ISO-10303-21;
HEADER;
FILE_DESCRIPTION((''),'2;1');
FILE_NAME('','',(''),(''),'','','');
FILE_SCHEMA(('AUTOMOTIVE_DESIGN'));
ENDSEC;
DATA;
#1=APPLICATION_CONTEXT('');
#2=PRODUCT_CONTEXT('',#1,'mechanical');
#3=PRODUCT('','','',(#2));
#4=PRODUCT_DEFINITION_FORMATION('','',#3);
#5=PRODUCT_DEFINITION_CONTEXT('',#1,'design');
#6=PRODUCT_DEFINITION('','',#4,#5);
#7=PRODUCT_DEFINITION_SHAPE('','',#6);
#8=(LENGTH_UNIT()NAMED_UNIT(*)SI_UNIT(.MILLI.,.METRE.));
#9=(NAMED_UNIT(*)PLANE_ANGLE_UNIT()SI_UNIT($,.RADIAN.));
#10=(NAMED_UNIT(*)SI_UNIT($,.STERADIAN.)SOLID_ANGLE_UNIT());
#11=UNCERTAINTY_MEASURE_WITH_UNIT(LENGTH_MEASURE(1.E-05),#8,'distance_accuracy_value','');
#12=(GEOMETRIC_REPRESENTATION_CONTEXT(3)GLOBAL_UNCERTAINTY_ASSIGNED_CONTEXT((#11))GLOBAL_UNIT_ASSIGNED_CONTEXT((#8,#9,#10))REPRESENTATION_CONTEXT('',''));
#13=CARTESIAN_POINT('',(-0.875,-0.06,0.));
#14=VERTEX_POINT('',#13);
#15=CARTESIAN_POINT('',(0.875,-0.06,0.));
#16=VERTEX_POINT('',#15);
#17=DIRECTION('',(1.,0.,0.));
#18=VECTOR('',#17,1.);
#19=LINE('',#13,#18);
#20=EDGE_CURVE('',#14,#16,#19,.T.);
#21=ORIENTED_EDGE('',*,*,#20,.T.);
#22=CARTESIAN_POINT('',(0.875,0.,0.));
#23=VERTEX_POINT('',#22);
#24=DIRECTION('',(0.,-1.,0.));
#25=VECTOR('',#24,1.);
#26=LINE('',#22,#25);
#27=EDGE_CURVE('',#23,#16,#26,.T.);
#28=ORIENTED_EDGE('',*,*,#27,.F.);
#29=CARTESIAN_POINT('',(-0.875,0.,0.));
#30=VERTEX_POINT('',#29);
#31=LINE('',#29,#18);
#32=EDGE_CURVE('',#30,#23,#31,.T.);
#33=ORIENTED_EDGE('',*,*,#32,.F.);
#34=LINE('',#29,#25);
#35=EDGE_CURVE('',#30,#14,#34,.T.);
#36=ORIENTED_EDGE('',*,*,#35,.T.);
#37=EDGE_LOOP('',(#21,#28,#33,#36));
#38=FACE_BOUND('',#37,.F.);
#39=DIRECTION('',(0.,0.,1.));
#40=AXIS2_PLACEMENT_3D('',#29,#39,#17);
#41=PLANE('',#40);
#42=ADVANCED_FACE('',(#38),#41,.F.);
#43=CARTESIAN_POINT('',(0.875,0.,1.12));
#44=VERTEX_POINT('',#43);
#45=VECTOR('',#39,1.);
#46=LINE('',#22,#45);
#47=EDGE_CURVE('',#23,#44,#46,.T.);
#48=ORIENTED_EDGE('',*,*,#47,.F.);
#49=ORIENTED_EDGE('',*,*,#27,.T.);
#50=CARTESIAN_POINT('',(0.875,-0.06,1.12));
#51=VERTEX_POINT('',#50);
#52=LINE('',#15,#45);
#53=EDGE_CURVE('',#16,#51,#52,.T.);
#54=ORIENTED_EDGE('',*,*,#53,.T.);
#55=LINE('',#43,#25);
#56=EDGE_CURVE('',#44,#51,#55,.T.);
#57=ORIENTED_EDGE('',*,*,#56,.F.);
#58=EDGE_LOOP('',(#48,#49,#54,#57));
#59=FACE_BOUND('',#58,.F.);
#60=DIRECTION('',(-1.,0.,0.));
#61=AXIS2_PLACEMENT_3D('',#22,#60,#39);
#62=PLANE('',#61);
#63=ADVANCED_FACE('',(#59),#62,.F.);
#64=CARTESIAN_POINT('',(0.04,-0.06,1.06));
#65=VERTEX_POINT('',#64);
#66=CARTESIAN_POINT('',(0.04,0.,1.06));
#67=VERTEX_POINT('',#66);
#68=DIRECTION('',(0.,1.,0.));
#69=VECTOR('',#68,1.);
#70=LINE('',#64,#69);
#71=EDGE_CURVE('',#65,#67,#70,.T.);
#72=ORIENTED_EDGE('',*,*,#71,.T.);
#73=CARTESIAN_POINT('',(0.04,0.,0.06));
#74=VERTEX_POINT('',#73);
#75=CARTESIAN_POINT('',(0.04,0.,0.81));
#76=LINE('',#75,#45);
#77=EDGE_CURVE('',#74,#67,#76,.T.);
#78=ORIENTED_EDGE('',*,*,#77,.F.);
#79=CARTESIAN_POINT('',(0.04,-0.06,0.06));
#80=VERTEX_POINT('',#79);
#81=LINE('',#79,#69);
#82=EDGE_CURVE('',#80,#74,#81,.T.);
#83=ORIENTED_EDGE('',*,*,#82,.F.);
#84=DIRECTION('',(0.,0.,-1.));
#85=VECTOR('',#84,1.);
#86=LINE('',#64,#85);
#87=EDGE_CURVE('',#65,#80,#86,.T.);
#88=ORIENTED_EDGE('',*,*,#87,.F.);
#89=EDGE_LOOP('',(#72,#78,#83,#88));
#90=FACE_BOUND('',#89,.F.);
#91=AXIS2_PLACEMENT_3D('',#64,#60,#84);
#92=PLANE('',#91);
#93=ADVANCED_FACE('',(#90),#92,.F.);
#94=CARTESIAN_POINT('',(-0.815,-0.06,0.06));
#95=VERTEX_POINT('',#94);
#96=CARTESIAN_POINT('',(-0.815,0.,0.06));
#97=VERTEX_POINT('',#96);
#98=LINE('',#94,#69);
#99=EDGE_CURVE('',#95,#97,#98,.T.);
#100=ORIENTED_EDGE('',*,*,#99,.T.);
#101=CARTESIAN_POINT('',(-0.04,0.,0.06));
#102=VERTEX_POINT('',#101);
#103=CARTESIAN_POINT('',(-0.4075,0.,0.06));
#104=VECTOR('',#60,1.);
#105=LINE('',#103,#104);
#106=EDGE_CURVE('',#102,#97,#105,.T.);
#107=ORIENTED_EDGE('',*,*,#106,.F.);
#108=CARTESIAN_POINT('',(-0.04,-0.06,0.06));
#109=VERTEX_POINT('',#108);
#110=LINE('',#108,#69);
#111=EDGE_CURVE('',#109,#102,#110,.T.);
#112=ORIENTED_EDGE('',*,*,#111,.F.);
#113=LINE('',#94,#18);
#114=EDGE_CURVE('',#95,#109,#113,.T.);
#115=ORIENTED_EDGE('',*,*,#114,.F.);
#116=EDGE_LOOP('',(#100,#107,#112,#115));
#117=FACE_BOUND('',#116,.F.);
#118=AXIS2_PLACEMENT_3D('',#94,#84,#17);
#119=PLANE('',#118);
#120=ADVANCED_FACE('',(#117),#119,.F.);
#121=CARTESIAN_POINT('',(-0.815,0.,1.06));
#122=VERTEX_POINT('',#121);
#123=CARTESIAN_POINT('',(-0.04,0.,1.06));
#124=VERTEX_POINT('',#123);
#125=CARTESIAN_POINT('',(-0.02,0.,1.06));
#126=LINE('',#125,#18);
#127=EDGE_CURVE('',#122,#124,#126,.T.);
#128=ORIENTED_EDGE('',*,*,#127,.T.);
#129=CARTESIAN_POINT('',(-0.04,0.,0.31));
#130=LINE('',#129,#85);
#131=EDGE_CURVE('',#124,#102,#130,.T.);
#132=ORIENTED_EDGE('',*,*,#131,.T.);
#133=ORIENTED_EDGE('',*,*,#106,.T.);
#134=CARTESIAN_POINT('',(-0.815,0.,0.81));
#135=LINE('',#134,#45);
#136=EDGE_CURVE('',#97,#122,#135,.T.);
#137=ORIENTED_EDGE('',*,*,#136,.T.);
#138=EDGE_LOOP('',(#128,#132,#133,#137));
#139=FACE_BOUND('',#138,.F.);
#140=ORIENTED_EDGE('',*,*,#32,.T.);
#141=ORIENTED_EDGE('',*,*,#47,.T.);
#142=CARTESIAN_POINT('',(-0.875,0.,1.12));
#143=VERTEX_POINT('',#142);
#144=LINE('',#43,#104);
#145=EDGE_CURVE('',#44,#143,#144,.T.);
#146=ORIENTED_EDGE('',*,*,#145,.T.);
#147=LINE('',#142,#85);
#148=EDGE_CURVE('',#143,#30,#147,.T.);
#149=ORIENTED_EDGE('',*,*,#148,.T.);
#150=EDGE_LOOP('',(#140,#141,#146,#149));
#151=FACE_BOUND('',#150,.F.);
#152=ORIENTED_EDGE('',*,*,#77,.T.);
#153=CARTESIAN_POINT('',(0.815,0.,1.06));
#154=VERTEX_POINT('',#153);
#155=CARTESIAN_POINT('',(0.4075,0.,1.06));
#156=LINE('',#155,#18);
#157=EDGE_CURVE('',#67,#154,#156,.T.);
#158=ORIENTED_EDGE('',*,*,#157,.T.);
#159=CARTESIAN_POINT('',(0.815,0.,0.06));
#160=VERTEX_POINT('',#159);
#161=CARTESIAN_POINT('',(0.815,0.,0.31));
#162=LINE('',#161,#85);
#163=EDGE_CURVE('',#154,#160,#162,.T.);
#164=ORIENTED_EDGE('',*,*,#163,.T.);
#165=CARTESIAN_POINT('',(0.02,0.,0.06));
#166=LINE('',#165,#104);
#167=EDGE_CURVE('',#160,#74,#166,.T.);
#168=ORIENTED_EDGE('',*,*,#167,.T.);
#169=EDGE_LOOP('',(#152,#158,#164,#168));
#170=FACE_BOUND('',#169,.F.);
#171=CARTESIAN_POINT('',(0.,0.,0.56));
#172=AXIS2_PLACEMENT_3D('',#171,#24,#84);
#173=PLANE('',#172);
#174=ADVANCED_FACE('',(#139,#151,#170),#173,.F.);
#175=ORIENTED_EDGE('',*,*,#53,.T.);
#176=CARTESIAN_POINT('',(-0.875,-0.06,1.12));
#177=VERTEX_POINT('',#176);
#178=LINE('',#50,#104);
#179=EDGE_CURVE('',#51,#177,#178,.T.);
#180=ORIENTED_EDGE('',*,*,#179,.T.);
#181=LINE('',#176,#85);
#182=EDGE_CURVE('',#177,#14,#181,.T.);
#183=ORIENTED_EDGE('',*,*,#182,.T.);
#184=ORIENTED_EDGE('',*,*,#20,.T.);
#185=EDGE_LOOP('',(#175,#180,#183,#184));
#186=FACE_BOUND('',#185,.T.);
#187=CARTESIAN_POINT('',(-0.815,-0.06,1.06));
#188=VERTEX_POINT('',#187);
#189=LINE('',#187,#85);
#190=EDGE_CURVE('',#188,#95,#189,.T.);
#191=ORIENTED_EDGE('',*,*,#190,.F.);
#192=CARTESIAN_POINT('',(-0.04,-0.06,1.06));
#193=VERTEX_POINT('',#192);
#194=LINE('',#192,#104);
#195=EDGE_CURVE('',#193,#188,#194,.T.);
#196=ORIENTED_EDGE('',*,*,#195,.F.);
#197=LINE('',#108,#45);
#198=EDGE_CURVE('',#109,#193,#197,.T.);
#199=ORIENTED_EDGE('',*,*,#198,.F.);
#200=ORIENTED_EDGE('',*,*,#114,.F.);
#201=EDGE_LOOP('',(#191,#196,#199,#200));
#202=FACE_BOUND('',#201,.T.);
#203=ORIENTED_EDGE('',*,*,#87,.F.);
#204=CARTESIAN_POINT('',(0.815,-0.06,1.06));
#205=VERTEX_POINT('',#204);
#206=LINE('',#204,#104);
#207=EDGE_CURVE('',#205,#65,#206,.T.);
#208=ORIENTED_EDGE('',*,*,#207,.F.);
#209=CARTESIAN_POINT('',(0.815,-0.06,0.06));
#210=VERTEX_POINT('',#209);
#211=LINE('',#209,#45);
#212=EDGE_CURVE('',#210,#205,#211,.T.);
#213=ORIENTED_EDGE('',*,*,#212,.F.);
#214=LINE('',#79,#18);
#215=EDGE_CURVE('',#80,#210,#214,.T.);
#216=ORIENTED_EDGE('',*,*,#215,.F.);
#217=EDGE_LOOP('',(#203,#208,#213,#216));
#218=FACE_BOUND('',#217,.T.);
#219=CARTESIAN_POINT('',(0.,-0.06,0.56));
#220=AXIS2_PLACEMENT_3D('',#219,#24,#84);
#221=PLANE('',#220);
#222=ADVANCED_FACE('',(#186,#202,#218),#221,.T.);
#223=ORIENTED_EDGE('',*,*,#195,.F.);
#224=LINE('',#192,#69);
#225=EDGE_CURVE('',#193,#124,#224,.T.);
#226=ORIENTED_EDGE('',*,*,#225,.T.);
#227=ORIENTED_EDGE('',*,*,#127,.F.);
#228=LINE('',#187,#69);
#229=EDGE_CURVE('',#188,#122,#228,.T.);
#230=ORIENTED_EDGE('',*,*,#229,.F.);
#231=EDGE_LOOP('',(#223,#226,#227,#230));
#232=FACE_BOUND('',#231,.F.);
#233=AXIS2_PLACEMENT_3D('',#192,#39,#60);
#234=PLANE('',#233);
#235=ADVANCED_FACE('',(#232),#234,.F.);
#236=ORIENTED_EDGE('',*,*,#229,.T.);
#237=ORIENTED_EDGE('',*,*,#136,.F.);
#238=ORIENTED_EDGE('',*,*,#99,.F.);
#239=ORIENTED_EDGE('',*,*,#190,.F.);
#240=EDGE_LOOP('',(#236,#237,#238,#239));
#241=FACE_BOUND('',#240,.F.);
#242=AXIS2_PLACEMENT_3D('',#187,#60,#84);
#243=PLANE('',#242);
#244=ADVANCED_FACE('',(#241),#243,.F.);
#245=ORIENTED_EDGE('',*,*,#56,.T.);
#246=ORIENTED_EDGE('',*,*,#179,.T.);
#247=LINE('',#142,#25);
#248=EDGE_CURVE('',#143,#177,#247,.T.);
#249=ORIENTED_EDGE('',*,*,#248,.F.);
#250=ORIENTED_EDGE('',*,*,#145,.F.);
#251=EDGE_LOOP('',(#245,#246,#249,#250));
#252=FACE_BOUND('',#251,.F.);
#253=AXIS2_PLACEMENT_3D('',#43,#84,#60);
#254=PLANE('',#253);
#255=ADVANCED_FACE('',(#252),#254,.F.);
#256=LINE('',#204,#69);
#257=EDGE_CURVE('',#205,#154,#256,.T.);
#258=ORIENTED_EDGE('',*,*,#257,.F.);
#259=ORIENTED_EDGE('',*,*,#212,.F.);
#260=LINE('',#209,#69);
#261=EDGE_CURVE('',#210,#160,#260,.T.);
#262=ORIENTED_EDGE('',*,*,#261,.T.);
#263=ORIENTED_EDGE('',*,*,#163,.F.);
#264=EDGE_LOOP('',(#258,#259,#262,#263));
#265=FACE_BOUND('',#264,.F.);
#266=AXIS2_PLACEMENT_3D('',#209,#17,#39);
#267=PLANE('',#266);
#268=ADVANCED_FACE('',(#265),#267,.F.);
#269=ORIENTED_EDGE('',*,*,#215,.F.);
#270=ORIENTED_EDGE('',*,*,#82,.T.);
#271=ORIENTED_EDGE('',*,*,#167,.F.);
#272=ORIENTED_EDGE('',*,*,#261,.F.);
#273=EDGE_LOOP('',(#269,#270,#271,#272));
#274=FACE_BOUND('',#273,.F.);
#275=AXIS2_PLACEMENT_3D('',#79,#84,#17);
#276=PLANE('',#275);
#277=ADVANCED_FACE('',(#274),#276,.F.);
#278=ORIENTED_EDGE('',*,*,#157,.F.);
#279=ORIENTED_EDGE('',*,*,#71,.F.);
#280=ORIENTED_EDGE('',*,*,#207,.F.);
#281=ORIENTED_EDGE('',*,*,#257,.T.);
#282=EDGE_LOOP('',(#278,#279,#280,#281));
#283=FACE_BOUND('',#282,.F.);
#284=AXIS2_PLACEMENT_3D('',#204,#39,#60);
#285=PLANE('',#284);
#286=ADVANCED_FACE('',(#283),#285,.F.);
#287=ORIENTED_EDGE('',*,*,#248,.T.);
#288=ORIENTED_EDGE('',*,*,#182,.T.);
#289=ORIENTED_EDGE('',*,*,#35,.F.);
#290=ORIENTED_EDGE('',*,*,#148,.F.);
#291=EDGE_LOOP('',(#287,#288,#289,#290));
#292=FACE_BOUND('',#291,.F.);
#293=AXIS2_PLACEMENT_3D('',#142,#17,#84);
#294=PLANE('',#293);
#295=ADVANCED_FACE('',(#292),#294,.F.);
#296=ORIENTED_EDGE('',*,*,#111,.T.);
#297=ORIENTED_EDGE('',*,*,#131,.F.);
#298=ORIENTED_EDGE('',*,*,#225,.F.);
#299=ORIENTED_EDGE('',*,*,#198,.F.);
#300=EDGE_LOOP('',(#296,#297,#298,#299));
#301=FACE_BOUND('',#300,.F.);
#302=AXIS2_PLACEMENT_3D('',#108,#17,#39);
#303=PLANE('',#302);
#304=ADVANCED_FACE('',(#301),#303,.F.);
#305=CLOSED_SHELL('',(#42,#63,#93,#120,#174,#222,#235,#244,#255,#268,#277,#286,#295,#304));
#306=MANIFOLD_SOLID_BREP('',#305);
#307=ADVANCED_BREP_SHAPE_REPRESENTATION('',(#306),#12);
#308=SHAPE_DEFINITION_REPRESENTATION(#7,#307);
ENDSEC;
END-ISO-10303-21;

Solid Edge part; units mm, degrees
sketch "Sketch1" plane through (0, 0, 0) normal (0, -1, 0) x (1, 0, 0)
  line L0 (-0.875, 0) -> (0.875, 0)
  line L1 (0.875, 0) -> (0.875, 1.12)
  line L2 (0.875, 1.12) -> (-0.875, 1.12)
  line L3 (-0.875, 1.12) -> (-0.875, 0)
  dimension "D1" = 1.12
  dimension "D2" = 1.75
extrude "Protrusion1" add sketch "Sketch1" along normal blind 0.06
sketch "Sketch2" plane through (0, -0.06, 0.75) normal (0, -1, 0) x (1, 0, 0)
  line L0 (0.04, -0.69) -> (0.815, -0.69)
  line L1 (0.815, -0.69) -> (0.815, 0.31)
  line L2 (0.815, 0.31) -> (0.04, 0.31)
  line L3 (0.04, 0.31) -> (0.04, -0.69)
  line L4 (-0.815, -0.69) -> (-0.04, -0.69)
  line L5 (-0.04, -0.69) -> (-0.04, 0.31)
  line L6 (-0.04, 0.31) -> (-0.815, 0.31)
  line L7 (-0.815, 0.31) -> (-0.815, -0.69)
  dimension "D1" = 0.06
  dimension "D2" = 0.08
extrude "Cutout1" cut sketch "Sketch2" against normal up to next
